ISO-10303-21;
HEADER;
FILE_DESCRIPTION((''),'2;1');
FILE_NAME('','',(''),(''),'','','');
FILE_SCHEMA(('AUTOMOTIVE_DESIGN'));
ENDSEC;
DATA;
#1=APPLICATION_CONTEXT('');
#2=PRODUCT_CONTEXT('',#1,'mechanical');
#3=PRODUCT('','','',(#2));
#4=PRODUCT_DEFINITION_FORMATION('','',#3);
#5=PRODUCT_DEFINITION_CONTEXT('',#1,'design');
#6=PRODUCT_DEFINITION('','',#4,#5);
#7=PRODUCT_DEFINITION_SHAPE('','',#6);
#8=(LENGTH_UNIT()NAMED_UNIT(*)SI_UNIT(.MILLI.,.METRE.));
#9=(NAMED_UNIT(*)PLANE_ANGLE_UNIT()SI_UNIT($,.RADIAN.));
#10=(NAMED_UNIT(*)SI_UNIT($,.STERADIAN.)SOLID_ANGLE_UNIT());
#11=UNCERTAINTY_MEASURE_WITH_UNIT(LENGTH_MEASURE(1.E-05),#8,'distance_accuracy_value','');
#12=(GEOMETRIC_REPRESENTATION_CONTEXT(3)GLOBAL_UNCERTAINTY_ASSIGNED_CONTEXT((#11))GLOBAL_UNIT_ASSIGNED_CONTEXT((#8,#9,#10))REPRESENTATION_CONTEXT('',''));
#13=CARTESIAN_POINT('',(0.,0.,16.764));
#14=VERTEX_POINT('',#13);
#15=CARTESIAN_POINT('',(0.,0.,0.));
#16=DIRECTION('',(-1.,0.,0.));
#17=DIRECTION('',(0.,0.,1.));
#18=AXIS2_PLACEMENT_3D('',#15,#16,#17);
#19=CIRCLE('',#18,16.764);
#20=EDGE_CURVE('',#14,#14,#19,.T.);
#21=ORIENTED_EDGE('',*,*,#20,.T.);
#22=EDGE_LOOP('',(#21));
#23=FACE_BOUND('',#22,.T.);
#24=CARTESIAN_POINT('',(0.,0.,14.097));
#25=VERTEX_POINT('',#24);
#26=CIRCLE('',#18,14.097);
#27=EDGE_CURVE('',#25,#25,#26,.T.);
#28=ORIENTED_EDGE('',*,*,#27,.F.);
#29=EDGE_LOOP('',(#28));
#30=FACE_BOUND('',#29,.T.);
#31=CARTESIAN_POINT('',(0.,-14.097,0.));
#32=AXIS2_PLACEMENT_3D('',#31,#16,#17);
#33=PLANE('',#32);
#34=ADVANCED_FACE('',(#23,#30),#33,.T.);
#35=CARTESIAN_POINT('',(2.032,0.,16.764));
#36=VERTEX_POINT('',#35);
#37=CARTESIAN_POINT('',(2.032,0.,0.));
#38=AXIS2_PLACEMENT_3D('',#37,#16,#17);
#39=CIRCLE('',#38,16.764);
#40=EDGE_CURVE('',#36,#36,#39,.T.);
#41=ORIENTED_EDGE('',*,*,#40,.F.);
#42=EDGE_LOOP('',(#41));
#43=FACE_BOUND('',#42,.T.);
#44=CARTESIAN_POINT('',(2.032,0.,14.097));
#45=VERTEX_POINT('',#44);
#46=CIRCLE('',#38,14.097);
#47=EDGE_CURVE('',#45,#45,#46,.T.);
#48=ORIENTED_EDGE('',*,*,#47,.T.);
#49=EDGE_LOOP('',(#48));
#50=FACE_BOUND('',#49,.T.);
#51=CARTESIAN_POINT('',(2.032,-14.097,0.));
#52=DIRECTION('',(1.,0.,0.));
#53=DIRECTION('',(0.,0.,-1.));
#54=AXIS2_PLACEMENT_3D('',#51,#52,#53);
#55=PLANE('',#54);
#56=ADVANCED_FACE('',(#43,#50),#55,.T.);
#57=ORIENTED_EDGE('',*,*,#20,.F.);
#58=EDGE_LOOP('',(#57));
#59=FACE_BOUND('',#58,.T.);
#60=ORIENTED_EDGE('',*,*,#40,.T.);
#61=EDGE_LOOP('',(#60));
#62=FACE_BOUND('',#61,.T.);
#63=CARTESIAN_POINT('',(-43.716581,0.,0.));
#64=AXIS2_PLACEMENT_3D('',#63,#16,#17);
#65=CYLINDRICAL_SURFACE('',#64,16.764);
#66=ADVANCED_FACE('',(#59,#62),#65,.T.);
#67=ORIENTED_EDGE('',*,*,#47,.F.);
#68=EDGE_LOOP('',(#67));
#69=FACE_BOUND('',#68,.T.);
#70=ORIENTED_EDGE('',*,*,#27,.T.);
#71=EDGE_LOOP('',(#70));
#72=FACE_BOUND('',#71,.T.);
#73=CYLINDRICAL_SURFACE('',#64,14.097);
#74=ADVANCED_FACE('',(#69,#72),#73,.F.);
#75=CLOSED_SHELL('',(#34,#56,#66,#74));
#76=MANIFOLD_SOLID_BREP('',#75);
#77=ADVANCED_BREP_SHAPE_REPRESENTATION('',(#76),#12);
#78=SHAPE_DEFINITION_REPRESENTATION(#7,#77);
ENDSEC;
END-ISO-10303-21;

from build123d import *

# Parameters (mm, degrees)
SKETCH1_W = 2.032
SKETCH1_H = 2.667


with BuildPart() as part:
    # Sketch1 → Revolve1 (revolve)
    with BuildSketch(Plane.XY, mode=Mode.PRIVATE) as revolve1_sk:
        with Locations((1.016, -15.4305)):
            Rectangle(SKETCH1_W, SKETCH1_H)
    revolve(revolve1_sk.sketch.rotate(Axis((-43.716580756, 0, 0), (1, 0, 0)), 270), axis=Axis((-43.716580756, 0, 0), (1, 0, 0)))  # turned: the seam where the file's is


solid = part.part
